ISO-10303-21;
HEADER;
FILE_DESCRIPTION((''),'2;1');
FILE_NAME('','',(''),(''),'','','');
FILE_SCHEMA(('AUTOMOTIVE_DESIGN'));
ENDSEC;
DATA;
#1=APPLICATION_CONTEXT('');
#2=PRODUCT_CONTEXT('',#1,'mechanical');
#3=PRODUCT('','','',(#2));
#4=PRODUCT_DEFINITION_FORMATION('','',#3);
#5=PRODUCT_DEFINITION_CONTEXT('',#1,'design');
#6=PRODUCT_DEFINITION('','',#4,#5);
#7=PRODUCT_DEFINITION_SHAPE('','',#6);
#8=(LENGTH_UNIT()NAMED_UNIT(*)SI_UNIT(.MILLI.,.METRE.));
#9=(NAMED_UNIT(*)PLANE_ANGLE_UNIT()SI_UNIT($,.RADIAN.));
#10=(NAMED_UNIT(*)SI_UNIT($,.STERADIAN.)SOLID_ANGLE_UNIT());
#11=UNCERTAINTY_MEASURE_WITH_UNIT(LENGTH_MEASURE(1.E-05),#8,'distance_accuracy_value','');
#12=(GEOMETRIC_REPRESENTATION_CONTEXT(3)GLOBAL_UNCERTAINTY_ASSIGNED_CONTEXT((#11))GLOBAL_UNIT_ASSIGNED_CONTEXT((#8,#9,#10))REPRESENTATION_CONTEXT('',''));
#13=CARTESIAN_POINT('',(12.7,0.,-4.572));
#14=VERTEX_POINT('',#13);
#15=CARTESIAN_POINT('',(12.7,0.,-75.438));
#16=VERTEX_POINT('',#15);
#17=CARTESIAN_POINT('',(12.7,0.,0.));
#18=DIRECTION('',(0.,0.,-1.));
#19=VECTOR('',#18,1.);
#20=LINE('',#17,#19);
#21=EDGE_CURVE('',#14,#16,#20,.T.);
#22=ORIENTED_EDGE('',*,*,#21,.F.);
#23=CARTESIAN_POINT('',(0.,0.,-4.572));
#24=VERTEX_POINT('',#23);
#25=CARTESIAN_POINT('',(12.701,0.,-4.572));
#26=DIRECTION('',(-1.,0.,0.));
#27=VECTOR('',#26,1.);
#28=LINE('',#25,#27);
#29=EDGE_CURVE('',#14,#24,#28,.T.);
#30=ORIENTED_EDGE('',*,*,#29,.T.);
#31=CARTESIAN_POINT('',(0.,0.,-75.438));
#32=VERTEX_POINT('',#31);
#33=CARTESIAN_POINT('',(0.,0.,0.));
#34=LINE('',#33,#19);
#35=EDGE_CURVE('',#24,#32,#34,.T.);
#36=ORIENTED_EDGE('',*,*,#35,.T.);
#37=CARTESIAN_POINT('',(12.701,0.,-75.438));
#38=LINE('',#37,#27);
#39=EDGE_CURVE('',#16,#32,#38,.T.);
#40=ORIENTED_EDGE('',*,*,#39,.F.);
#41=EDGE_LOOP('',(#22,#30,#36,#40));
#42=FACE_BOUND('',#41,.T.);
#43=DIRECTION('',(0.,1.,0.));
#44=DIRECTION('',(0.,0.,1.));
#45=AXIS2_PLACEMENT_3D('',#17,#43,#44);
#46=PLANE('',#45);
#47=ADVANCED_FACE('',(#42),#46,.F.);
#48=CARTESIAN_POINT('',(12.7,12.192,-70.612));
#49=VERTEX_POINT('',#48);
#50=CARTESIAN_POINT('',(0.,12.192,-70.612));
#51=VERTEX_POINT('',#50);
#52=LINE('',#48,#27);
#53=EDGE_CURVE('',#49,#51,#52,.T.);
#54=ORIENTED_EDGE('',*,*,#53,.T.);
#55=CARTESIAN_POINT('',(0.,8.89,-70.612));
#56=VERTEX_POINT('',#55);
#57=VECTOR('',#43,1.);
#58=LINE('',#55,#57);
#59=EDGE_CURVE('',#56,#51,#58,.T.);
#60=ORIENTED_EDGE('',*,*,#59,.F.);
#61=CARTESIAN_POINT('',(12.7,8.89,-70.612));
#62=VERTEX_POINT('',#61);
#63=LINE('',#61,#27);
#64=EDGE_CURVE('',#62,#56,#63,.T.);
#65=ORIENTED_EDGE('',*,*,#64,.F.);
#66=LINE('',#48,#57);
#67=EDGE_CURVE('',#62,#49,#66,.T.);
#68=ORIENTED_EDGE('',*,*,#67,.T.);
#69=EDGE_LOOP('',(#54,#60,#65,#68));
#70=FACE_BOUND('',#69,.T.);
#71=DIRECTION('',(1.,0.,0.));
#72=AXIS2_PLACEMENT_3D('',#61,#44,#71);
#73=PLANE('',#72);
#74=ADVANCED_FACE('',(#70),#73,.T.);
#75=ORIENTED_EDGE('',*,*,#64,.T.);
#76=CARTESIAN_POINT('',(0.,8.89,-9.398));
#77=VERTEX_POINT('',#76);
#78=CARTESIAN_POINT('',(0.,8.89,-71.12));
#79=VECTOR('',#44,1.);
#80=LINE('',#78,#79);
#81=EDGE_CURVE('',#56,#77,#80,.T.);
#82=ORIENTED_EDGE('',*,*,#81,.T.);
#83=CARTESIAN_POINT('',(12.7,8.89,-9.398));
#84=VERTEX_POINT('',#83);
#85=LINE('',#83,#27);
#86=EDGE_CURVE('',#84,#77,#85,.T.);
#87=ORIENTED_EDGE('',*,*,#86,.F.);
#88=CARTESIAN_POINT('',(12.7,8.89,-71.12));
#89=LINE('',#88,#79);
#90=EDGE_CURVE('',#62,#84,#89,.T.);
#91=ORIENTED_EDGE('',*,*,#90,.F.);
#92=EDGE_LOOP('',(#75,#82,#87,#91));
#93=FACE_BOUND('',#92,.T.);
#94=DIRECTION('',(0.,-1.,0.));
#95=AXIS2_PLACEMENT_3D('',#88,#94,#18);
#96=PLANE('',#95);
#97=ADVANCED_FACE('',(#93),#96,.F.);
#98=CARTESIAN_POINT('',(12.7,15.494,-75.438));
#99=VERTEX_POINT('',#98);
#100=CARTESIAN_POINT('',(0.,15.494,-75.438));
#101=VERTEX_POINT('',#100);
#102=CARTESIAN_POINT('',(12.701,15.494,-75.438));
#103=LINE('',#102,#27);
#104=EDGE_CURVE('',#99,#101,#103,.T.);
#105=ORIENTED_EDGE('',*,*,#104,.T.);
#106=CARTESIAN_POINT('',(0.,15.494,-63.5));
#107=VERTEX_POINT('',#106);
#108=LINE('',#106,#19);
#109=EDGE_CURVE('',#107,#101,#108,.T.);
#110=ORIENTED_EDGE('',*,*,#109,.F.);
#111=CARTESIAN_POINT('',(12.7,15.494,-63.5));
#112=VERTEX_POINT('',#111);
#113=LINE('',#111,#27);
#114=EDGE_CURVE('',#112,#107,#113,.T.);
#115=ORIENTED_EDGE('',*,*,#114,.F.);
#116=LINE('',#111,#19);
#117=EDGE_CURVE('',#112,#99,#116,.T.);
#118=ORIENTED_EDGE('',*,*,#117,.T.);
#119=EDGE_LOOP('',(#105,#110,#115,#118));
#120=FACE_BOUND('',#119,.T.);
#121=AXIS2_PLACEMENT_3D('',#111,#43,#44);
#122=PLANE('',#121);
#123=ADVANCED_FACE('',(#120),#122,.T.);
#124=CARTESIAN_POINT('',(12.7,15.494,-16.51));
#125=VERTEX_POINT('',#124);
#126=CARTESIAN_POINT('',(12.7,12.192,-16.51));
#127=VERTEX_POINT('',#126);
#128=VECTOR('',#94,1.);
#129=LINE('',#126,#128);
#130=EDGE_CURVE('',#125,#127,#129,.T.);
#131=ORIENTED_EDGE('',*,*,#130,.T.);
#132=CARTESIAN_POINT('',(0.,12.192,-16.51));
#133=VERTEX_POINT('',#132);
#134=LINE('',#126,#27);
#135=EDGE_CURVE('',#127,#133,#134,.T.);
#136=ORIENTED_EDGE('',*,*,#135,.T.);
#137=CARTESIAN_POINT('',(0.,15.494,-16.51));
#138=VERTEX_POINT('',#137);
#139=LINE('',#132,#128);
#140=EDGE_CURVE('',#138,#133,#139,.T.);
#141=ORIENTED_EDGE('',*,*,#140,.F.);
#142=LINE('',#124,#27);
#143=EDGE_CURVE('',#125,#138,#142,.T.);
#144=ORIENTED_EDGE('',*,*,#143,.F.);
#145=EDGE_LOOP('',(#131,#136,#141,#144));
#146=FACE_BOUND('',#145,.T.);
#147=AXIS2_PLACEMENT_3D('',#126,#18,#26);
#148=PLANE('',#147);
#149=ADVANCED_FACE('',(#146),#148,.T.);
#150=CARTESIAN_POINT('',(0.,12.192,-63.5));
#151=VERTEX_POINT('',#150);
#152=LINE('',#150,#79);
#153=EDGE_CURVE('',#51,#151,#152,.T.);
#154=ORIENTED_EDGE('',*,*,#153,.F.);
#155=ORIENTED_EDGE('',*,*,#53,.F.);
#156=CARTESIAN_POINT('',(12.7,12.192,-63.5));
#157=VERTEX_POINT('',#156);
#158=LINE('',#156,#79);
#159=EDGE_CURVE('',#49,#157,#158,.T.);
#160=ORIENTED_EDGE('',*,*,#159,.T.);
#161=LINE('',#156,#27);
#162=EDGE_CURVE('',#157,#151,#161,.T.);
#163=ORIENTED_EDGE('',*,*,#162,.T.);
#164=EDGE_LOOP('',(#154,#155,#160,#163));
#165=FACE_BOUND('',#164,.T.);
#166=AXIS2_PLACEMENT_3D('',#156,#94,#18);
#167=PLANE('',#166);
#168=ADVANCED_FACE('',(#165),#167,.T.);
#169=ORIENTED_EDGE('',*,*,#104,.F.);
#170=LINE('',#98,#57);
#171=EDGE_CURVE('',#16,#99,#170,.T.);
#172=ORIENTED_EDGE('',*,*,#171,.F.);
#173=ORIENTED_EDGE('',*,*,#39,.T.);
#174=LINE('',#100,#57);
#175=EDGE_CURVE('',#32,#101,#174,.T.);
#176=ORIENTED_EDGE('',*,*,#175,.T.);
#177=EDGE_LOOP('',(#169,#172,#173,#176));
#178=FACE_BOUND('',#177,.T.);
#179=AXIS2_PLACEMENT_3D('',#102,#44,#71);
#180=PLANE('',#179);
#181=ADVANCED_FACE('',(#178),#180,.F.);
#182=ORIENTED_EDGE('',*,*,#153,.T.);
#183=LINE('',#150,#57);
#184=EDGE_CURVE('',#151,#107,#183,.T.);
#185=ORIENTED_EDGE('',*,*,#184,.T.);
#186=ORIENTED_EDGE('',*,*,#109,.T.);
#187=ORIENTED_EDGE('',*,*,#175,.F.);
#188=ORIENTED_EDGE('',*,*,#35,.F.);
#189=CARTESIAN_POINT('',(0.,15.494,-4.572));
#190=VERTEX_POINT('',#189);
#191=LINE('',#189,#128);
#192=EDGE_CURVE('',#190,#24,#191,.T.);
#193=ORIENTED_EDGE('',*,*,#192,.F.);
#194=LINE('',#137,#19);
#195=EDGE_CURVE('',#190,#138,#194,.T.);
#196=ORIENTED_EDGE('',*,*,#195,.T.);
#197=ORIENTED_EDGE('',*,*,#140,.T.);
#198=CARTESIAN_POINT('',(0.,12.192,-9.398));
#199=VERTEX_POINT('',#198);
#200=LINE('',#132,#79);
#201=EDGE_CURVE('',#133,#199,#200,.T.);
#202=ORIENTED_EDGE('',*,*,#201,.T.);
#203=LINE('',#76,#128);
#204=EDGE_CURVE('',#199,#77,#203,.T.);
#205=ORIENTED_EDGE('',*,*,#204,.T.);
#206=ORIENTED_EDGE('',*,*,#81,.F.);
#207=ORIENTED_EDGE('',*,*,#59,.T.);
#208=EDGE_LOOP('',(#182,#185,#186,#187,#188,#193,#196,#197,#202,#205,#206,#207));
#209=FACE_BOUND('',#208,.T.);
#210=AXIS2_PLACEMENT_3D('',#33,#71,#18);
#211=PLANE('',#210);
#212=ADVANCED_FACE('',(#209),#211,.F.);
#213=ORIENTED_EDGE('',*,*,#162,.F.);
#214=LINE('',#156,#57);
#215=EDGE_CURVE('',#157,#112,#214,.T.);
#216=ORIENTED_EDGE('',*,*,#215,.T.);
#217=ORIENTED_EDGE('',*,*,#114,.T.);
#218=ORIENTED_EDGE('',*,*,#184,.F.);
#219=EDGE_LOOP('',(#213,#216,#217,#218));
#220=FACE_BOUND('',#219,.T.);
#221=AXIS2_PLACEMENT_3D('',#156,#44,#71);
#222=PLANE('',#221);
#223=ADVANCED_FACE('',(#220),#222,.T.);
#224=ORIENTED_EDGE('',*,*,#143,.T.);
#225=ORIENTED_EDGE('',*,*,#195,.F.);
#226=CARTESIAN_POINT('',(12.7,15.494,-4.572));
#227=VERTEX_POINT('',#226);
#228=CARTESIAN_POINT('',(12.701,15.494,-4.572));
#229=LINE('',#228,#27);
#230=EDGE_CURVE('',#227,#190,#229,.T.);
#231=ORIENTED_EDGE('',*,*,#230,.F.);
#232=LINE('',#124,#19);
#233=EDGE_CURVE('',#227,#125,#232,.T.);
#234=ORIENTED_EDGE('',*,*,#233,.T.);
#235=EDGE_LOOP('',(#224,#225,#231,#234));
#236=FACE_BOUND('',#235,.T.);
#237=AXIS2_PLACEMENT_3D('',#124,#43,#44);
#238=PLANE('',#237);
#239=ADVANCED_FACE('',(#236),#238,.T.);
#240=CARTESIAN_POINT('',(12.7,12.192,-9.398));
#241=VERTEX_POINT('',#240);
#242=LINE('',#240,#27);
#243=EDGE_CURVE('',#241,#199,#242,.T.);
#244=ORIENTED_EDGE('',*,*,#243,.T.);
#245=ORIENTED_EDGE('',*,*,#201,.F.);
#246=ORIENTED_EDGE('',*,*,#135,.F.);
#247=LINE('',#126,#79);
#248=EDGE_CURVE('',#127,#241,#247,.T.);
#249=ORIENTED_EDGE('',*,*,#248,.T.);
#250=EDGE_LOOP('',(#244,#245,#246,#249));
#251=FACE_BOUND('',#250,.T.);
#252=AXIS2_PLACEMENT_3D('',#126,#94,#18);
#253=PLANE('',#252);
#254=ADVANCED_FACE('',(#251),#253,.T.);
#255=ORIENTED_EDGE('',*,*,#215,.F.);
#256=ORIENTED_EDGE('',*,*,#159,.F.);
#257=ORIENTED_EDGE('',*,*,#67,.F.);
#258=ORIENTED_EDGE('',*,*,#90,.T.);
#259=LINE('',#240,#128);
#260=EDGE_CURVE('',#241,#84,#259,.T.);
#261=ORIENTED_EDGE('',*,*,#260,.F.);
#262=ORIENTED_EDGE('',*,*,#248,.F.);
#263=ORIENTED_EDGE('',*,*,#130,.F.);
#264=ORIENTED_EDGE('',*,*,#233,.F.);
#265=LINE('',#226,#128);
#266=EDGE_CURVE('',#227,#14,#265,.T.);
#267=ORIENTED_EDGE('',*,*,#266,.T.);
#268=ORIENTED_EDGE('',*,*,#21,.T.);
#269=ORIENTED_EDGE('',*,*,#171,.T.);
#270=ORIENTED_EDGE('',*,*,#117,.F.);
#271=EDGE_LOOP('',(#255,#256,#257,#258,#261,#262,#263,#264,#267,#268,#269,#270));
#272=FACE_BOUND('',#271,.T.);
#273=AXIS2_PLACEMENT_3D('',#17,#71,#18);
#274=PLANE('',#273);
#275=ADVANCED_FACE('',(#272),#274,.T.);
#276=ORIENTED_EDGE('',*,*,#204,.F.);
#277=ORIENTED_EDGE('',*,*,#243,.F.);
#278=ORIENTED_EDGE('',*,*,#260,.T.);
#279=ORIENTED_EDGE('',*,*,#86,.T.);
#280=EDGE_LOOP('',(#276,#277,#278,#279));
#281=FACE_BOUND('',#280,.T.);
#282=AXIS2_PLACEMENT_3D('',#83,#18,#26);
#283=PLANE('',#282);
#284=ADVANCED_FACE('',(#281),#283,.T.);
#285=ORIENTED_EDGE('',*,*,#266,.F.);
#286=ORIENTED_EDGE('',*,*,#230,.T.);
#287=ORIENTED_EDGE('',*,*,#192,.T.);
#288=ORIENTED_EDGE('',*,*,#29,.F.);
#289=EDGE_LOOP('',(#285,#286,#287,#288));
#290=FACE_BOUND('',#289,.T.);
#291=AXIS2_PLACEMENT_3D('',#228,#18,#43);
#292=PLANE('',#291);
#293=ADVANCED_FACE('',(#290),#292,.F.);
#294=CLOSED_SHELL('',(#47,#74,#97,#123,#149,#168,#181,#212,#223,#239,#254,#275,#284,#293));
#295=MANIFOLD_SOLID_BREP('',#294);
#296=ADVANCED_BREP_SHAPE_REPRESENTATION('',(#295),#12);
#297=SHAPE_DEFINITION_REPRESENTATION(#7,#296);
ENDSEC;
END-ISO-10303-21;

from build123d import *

# Parameters (mm, degrees)
BOSS_EXTRUDE1_DEPTH = 12.7
BOSS_EXTRUDE3_DEPTH = 12.7
CUT_EXTRUDE1_REACH  = 14.7
CUT_EXTRUDE2_REACH  = 14.7
SKETCH6_W           = 7.112
SKETCH6_H           = 3.302
BOSS_EXTRUDE4_DEPTH = 3.175
SKETCH7_W           = 7.112
SKETCH7_H           = 3.302
BOSS_EXTRUDE5_DEPTH = 3.175
CUT_EXTRUDE3_REACH  = 14.7
SKETCH8_W           = 7.112
SKETCH8_H           = 3.302
CUT_EXTRUDE4_REACH  = 14.7
SKETCH9_W           = 7.112
SKETCH9_H           = 3.302


with BuildPart() as part:
    # Sketch1 → Boss-Extrude1 (new body)
    with BuildSketch(Plane(origin=(0, 0, 0), x_dir=(0, 0, -1), z_dir=(1, 0, 0))):
        Polygon((0, 0), (80.01, 0), (80.01, 19.05), (71.12, 19.05), (71.12, 8.89), (8.89, 8.89), (8.89, 19.05), (0, 19.05), align=None)
    extrude(amount=BOSS_EXTRUDE1_DEPTH)

    # Sketch2 → Boss-Extrude3 (add)
    with BuildSketch(Plane.ZY):
        Polygon((-63.5, 12.192), (-70.612, 12.192), (-70.612, 8.89), (-74.93, 8.89), (-74.93, 15.494), (-63.5, 15.494), align=None)
        Polygon((-16.51, 12.192), (-9.398, 12.192), (-9.398, 8.89), (-5.08, 8.89), (-5.08, 15.494), (-16.51, 15.494), align=None)
    extrude(amount=-BOSS_EXTRUDE3_DEPTH)

    # Sketch4 → Cut-Extrude1 (cut, up to next)
    with BuildSketch(Plane.ZY, mode=Mode.PRIVATE) as cut_extrude1_sk1:
        Polygon((-71.12, 15.494), (-75.438, 15.494), (-75.438, 0), (-80.01, 0), (-80.01, 19.05), (-71.12, 19.05), align=None)
    cut_extrude1_tool1 = extrude(cut_extrude1_sk1.sketch, amount=-CUT_EXTRUDE1_REACH, mode=Mode.PRIVATE) & part.part
    add(cut_extrude1_tool1.solids().sort_by_distance((0, 10.686074, -77.05781))[0], mode=Mode.SUBTRACT)

    # Sketch5 → Cut-Extrude2 (cut, up to next)
    with BuildSketch(Plane.ZY, mode=Mode.PRIVATE) as cut_extrude2_sk1:
        Polygon((-8.89, 15.494), (-4.572, 15.494), (-4.572, 0), (0, 0), (0, 19.05), (-8.89, 19.05), align=None)
    cut_extrude2_tool1 = extrude(cut_extrude2_sk1.sketch, amount=-CUT_EXTRUDE2_REACH, mode=Mode.PRIVATE) & part.part
    add(cut_extrude2_tool1.solids().sort_by_distance((0, 10.686074, -2.95219))[0], mode=Mode.SUBTRACT)

    # Sketch6 → Boss-Extrude4 (add)
    with BuildSketch(Plane(origin=(12.7, 0, 0), x_dir=(0, 0, -1), z_dir=(1, 0, 0))):
        with Locations((12.954, 10.541)):
            Rectangle(SKETCH6_W, SKETCH6_H)
    extrude(amount=-BOSS_EXTRUDE4_DEPTH)

    # Sketch7 → Boss-Extrude5 (add)
    with BuildSketch(Plane(origin=(12.7, 0, 0), x_dir=(0, 0, -1), z_dir=(1, 0, 0))):
        with Locations((67.056, 10.541)):
            Rectangle(SKETCH7_W, SKETCH7_H)
    extrude(amount=-BOSS_EXTRUDE5_DEPTH)

    # Sketch8 → Cut-Extrude3 (cut, up to next)
    with BuildSketch(Plane(origin=(12.7, 0, 0), x_dir=(0, 0, -1), z_dir=(1, 0, 0)), mode=Mode.PRIVATE) as cut_extrude3_sk1:
        with Locations((12.954, 10.541)):
            Rectangle(SKETCH8_W, SKETCH8_H)
    cut_extrude3_tool1 = extrude(cut_extrude3_sk1.sketch, amount=-CUT_EXTRUDE3_REACH, mode=Mode.PRIVATE) & part.part
    add(cut_extrude3_tool1.solids().sort_by_distance((12.7, 10.541, -12.954))[0], mode=Mode.SUBTRACT)

    # Sketch9 → Cut-Extrude4 (cut, up to next)
    with BuildSketch(Plane(origin=(12.7, 0, 0), x_dir=(0, 0, -1), z_dir=(1, 0, 0)), mode=Mode.PRIVATE) as cut_extrude4_sk1:
        with Locations((67.056, 10.541)):
            Rectangle(SKETCH9_W, SKETCH9_H)
    cut_extrude4_tool1 = extrude(cut_extrude4_sk1.sketch, amount=-CUT_EXTRUDE4_REACH, mode=Mode.PRIVATE) & part.part
    add(cut_extrude4_tool1.solids().sort_by_distance((12.7, 10.541, -67.056))[0], mode=Mode.SUBTRACT)


solid = part.part
